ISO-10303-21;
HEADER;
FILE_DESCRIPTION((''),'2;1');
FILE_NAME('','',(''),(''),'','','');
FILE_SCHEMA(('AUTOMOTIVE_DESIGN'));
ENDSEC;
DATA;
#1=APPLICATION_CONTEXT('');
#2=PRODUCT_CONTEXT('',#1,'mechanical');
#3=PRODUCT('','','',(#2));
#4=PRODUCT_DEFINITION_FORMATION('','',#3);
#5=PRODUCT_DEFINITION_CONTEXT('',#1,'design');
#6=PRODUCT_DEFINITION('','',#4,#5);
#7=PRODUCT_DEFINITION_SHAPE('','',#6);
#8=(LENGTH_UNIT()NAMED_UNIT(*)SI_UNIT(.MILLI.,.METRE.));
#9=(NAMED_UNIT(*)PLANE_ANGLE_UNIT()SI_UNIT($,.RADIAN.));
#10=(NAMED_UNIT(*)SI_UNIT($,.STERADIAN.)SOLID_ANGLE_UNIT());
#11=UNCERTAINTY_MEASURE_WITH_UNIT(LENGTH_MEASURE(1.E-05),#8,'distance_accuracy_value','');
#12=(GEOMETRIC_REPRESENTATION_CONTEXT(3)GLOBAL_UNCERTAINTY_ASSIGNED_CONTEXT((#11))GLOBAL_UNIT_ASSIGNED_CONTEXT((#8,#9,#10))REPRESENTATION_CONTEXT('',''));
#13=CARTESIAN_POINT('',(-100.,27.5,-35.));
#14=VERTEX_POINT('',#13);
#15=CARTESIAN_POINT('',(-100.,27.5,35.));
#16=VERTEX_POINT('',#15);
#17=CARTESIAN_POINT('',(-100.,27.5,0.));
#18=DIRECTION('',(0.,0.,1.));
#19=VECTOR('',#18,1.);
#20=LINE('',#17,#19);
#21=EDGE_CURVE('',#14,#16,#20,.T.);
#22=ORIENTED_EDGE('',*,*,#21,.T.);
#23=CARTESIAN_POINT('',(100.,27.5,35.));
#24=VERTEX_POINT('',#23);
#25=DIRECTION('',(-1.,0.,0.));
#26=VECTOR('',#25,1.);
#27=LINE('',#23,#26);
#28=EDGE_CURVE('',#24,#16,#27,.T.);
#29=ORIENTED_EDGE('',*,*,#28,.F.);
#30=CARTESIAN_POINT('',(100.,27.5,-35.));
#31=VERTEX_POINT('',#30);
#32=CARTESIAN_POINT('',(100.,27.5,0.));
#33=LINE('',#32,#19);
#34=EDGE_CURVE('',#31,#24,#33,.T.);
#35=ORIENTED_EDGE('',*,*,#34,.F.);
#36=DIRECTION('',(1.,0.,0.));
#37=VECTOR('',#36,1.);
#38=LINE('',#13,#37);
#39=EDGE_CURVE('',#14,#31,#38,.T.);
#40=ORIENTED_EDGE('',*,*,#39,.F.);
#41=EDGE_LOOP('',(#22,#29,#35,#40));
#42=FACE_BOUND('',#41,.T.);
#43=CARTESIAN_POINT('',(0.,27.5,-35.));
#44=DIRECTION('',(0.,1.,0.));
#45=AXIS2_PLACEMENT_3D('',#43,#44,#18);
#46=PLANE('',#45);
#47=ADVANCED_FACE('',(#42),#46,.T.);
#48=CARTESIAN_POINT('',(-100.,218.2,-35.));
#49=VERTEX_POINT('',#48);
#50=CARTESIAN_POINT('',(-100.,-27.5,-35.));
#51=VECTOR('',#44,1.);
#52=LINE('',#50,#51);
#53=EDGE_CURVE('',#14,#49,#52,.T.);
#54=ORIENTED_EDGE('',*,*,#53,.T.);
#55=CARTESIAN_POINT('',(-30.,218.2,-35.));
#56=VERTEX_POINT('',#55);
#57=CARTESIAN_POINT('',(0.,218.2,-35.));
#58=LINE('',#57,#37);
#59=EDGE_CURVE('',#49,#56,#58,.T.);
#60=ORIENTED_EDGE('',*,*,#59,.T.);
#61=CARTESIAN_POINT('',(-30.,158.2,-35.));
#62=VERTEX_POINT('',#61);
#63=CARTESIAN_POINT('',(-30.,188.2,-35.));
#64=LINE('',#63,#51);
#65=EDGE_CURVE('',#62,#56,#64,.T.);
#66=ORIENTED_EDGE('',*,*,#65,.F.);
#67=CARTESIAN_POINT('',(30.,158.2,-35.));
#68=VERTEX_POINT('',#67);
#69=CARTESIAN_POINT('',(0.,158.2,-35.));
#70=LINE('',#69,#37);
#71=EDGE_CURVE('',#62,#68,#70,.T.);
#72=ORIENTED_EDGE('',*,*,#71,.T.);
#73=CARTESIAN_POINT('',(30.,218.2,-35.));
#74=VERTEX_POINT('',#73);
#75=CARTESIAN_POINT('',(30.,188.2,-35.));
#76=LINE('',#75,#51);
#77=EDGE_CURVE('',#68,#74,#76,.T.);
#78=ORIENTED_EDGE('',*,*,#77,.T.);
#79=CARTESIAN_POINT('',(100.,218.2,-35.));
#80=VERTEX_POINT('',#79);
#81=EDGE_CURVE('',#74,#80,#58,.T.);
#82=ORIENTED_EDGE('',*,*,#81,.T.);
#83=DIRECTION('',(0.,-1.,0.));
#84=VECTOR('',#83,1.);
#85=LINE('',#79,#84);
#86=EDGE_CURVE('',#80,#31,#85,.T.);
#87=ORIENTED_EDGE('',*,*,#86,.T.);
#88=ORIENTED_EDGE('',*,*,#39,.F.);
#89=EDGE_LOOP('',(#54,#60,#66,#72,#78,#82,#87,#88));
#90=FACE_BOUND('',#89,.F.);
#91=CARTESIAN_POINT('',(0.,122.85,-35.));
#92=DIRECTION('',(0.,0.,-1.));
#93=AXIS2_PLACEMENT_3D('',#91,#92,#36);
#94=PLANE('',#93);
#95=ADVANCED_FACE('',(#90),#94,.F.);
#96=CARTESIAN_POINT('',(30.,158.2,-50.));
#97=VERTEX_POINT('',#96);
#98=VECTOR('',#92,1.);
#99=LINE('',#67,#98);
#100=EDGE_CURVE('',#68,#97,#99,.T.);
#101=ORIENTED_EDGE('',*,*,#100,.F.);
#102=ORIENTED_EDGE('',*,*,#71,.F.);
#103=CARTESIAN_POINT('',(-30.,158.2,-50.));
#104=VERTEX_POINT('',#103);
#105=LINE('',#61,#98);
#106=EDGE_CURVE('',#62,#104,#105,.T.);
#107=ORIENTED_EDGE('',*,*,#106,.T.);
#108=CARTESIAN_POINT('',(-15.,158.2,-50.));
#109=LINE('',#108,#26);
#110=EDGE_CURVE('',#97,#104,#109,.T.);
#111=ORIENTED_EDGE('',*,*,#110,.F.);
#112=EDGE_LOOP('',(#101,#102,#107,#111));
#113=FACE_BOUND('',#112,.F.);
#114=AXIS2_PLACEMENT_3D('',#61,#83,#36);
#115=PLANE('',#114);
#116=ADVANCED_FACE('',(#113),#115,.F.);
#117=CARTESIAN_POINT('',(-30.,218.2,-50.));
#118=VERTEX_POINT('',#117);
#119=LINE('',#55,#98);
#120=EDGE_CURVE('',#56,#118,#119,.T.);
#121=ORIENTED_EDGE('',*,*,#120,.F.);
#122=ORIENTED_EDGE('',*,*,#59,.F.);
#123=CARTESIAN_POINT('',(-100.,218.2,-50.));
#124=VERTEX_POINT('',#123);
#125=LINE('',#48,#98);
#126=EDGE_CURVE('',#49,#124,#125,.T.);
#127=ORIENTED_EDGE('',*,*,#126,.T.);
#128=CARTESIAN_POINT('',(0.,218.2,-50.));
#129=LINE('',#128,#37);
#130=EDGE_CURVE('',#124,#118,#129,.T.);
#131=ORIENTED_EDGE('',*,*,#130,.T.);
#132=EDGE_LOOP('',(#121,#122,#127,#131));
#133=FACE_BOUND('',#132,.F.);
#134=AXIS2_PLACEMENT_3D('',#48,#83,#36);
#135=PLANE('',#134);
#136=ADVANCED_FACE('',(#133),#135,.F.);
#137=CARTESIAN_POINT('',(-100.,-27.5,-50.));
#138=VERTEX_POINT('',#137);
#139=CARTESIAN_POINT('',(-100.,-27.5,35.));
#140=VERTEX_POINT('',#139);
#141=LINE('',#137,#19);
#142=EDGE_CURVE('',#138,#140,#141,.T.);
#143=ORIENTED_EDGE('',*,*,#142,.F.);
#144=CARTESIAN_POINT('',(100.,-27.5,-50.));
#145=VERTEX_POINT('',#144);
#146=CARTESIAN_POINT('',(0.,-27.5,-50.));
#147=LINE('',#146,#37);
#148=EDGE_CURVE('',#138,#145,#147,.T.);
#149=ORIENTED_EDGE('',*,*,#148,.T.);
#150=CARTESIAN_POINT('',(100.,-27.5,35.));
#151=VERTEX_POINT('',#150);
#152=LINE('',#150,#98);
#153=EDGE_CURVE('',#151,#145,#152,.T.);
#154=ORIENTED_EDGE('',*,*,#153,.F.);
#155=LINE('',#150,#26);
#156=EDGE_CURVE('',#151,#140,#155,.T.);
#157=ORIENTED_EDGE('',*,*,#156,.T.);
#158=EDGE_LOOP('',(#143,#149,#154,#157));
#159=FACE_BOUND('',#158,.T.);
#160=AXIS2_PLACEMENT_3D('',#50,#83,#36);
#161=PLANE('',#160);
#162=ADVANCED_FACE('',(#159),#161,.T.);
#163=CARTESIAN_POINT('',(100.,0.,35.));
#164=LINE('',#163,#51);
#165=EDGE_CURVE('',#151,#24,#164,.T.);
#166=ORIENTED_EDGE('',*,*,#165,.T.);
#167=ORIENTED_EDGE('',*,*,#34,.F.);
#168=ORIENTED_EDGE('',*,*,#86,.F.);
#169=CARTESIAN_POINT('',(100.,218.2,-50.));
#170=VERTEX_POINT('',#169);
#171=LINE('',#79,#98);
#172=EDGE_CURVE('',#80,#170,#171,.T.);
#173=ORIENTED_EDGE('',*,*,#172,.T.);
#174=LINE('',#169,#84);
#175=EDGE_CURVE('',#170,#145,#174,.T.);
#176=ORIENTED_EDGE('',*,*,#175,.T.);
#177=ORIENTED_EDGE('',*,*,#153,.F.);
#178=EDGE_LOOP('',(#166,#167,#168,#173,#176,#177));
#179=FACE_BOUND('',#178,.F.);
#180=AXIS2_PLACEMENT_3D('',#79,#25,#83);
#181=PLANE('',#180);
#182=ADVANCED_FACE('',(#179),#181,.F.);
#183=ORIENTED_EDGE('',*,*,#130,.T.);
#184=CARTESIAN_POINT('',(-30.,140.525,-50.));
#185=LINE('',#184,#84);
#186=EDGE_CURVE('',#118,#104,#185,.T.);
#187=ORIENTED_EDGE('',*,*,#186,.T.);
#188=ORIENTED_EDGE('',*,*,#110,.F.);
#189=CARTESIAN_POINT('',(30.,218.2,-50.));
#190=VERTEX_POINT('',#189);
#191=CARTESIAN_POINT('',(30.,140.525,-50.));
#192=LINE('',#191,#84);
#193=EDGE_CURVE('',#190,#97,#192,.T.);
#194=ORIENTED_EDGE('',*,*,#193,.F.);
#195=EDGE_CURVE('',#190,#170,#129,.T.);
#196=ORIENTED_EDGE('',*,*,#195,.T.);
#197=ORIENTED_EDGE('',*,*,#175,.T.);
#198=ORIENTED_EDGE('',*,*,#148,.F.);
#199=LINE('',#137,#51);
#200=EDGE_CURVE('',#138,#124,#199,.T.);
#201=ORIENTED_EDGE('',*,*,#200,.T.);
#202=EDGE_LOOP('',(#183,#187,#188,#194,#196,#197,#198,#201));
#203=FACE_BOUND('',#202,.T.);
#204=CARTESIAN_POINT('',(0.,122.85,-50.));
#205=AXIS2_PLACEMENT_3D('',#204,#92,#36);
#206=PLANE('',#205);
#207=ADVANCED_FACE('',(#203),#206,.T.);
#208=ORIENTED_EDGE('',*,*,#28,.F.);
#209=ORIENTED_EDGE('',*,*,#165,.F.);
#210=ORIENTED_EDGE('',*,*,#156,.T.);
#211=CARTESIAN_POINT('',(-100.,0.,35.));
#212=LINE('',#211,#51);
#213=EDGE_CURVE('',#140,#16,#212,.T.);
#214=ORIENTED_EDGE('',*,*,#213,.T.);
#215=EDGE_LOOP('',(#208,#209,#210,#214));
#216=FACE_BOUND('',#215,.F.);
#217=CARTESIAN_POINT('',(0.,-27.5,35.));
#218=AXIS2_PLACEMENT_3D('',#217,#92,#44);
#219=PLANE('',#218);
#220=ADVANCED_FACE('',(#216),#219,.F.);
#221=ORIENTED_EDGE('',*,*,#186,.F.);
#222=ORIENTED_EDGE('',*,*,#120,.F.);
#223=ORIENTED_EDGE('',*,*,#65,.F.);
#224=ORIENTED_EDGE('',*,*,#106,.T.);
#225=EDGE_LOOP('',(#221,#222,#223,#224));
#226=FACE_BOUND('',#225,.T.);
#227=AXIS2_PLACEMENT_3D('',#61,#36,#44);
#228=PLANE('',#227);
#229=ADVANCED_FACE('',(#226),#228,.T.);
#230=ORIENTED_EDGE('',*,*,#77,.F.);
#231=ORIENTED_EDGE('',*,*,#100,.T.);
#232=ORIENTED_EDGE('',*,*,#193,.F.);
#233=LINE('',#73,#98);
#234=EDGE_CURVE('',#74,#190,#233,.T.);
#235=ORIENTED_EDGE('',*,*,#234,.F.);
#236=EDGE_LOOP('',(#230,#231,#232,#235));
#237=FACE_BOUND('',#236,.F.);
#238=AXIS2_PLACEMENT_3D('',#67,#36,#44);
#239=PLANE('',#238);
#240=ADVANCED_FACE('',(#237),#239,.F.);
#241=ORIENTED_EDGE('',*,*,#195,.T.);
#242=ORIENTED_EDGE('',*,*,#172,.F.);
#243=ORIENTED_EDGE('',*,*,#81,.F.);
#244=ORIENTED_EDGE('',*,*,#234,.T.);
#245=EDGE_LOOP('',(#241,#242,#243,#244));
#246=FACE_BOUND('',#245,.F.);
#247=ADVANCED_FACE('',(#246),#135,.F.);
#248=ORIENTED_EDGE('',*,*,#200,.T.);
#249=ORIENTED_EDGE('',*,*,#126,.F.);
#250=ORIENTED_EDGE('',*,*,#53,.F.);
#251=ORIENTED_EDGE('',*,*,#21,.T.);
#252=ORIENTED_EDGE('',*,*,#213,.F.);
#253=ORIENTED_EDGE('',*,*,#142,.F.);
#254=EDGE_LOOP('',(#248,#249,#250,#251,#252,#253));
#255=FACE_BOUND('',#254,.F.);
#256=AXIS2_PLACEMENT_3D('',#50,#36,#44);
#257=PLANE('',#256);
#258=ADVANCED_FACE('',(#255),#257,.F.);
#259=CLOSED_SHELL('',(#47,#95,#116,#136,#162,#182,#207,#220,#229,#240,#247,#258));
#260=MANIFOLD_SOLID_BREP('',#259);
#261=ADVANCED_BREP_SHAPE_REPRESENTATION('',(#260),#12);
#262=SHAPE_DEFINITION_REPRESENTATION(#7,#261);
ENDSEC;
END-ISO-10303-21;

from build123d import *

# Parameters (mm, degrees)
F0_W     = 55
F0_H     = 70
F1_DEPTH = 100
F2_W     = 200
F2_H     = 190.7
F2_H_2   = 55
F3_DEPTH = 15
F4_W     = 60
F4_H     = 60
F5_DEPTH = 25


with BuildPart() as f1:
    # F0 (on Right) → F1 (new body, symmetric)
    with BuildSketch(Plane.YZ):
        Rectangle(F0_W, F0_H)
    extrude(amount=F1_DEPTH, both=True)

    # F2 (on face) → F3 (join)
    with BuildSketch(Plane(origin=(0, 0, -35), x_dir=(1, 0, 0), z_dir=(0, 0, -1))):
        with Locations((0, -122.85)):
            Rectangle(F2_W, F2_H)
        Rectangle(F2_W, F2_H_2)
    extrude(amount=F3_DEPTH)

    # F4 (on face) → F5 (cut)
    with BuildSketch(Plane.XY.offset(-35)):
        with Locations((0, 188.2)):
            Rectangle(F4_W, F4_H)
    extrude(amount=-F5_DEPTH, mode=Mode.SUBTRACT)


solid = f1.part
